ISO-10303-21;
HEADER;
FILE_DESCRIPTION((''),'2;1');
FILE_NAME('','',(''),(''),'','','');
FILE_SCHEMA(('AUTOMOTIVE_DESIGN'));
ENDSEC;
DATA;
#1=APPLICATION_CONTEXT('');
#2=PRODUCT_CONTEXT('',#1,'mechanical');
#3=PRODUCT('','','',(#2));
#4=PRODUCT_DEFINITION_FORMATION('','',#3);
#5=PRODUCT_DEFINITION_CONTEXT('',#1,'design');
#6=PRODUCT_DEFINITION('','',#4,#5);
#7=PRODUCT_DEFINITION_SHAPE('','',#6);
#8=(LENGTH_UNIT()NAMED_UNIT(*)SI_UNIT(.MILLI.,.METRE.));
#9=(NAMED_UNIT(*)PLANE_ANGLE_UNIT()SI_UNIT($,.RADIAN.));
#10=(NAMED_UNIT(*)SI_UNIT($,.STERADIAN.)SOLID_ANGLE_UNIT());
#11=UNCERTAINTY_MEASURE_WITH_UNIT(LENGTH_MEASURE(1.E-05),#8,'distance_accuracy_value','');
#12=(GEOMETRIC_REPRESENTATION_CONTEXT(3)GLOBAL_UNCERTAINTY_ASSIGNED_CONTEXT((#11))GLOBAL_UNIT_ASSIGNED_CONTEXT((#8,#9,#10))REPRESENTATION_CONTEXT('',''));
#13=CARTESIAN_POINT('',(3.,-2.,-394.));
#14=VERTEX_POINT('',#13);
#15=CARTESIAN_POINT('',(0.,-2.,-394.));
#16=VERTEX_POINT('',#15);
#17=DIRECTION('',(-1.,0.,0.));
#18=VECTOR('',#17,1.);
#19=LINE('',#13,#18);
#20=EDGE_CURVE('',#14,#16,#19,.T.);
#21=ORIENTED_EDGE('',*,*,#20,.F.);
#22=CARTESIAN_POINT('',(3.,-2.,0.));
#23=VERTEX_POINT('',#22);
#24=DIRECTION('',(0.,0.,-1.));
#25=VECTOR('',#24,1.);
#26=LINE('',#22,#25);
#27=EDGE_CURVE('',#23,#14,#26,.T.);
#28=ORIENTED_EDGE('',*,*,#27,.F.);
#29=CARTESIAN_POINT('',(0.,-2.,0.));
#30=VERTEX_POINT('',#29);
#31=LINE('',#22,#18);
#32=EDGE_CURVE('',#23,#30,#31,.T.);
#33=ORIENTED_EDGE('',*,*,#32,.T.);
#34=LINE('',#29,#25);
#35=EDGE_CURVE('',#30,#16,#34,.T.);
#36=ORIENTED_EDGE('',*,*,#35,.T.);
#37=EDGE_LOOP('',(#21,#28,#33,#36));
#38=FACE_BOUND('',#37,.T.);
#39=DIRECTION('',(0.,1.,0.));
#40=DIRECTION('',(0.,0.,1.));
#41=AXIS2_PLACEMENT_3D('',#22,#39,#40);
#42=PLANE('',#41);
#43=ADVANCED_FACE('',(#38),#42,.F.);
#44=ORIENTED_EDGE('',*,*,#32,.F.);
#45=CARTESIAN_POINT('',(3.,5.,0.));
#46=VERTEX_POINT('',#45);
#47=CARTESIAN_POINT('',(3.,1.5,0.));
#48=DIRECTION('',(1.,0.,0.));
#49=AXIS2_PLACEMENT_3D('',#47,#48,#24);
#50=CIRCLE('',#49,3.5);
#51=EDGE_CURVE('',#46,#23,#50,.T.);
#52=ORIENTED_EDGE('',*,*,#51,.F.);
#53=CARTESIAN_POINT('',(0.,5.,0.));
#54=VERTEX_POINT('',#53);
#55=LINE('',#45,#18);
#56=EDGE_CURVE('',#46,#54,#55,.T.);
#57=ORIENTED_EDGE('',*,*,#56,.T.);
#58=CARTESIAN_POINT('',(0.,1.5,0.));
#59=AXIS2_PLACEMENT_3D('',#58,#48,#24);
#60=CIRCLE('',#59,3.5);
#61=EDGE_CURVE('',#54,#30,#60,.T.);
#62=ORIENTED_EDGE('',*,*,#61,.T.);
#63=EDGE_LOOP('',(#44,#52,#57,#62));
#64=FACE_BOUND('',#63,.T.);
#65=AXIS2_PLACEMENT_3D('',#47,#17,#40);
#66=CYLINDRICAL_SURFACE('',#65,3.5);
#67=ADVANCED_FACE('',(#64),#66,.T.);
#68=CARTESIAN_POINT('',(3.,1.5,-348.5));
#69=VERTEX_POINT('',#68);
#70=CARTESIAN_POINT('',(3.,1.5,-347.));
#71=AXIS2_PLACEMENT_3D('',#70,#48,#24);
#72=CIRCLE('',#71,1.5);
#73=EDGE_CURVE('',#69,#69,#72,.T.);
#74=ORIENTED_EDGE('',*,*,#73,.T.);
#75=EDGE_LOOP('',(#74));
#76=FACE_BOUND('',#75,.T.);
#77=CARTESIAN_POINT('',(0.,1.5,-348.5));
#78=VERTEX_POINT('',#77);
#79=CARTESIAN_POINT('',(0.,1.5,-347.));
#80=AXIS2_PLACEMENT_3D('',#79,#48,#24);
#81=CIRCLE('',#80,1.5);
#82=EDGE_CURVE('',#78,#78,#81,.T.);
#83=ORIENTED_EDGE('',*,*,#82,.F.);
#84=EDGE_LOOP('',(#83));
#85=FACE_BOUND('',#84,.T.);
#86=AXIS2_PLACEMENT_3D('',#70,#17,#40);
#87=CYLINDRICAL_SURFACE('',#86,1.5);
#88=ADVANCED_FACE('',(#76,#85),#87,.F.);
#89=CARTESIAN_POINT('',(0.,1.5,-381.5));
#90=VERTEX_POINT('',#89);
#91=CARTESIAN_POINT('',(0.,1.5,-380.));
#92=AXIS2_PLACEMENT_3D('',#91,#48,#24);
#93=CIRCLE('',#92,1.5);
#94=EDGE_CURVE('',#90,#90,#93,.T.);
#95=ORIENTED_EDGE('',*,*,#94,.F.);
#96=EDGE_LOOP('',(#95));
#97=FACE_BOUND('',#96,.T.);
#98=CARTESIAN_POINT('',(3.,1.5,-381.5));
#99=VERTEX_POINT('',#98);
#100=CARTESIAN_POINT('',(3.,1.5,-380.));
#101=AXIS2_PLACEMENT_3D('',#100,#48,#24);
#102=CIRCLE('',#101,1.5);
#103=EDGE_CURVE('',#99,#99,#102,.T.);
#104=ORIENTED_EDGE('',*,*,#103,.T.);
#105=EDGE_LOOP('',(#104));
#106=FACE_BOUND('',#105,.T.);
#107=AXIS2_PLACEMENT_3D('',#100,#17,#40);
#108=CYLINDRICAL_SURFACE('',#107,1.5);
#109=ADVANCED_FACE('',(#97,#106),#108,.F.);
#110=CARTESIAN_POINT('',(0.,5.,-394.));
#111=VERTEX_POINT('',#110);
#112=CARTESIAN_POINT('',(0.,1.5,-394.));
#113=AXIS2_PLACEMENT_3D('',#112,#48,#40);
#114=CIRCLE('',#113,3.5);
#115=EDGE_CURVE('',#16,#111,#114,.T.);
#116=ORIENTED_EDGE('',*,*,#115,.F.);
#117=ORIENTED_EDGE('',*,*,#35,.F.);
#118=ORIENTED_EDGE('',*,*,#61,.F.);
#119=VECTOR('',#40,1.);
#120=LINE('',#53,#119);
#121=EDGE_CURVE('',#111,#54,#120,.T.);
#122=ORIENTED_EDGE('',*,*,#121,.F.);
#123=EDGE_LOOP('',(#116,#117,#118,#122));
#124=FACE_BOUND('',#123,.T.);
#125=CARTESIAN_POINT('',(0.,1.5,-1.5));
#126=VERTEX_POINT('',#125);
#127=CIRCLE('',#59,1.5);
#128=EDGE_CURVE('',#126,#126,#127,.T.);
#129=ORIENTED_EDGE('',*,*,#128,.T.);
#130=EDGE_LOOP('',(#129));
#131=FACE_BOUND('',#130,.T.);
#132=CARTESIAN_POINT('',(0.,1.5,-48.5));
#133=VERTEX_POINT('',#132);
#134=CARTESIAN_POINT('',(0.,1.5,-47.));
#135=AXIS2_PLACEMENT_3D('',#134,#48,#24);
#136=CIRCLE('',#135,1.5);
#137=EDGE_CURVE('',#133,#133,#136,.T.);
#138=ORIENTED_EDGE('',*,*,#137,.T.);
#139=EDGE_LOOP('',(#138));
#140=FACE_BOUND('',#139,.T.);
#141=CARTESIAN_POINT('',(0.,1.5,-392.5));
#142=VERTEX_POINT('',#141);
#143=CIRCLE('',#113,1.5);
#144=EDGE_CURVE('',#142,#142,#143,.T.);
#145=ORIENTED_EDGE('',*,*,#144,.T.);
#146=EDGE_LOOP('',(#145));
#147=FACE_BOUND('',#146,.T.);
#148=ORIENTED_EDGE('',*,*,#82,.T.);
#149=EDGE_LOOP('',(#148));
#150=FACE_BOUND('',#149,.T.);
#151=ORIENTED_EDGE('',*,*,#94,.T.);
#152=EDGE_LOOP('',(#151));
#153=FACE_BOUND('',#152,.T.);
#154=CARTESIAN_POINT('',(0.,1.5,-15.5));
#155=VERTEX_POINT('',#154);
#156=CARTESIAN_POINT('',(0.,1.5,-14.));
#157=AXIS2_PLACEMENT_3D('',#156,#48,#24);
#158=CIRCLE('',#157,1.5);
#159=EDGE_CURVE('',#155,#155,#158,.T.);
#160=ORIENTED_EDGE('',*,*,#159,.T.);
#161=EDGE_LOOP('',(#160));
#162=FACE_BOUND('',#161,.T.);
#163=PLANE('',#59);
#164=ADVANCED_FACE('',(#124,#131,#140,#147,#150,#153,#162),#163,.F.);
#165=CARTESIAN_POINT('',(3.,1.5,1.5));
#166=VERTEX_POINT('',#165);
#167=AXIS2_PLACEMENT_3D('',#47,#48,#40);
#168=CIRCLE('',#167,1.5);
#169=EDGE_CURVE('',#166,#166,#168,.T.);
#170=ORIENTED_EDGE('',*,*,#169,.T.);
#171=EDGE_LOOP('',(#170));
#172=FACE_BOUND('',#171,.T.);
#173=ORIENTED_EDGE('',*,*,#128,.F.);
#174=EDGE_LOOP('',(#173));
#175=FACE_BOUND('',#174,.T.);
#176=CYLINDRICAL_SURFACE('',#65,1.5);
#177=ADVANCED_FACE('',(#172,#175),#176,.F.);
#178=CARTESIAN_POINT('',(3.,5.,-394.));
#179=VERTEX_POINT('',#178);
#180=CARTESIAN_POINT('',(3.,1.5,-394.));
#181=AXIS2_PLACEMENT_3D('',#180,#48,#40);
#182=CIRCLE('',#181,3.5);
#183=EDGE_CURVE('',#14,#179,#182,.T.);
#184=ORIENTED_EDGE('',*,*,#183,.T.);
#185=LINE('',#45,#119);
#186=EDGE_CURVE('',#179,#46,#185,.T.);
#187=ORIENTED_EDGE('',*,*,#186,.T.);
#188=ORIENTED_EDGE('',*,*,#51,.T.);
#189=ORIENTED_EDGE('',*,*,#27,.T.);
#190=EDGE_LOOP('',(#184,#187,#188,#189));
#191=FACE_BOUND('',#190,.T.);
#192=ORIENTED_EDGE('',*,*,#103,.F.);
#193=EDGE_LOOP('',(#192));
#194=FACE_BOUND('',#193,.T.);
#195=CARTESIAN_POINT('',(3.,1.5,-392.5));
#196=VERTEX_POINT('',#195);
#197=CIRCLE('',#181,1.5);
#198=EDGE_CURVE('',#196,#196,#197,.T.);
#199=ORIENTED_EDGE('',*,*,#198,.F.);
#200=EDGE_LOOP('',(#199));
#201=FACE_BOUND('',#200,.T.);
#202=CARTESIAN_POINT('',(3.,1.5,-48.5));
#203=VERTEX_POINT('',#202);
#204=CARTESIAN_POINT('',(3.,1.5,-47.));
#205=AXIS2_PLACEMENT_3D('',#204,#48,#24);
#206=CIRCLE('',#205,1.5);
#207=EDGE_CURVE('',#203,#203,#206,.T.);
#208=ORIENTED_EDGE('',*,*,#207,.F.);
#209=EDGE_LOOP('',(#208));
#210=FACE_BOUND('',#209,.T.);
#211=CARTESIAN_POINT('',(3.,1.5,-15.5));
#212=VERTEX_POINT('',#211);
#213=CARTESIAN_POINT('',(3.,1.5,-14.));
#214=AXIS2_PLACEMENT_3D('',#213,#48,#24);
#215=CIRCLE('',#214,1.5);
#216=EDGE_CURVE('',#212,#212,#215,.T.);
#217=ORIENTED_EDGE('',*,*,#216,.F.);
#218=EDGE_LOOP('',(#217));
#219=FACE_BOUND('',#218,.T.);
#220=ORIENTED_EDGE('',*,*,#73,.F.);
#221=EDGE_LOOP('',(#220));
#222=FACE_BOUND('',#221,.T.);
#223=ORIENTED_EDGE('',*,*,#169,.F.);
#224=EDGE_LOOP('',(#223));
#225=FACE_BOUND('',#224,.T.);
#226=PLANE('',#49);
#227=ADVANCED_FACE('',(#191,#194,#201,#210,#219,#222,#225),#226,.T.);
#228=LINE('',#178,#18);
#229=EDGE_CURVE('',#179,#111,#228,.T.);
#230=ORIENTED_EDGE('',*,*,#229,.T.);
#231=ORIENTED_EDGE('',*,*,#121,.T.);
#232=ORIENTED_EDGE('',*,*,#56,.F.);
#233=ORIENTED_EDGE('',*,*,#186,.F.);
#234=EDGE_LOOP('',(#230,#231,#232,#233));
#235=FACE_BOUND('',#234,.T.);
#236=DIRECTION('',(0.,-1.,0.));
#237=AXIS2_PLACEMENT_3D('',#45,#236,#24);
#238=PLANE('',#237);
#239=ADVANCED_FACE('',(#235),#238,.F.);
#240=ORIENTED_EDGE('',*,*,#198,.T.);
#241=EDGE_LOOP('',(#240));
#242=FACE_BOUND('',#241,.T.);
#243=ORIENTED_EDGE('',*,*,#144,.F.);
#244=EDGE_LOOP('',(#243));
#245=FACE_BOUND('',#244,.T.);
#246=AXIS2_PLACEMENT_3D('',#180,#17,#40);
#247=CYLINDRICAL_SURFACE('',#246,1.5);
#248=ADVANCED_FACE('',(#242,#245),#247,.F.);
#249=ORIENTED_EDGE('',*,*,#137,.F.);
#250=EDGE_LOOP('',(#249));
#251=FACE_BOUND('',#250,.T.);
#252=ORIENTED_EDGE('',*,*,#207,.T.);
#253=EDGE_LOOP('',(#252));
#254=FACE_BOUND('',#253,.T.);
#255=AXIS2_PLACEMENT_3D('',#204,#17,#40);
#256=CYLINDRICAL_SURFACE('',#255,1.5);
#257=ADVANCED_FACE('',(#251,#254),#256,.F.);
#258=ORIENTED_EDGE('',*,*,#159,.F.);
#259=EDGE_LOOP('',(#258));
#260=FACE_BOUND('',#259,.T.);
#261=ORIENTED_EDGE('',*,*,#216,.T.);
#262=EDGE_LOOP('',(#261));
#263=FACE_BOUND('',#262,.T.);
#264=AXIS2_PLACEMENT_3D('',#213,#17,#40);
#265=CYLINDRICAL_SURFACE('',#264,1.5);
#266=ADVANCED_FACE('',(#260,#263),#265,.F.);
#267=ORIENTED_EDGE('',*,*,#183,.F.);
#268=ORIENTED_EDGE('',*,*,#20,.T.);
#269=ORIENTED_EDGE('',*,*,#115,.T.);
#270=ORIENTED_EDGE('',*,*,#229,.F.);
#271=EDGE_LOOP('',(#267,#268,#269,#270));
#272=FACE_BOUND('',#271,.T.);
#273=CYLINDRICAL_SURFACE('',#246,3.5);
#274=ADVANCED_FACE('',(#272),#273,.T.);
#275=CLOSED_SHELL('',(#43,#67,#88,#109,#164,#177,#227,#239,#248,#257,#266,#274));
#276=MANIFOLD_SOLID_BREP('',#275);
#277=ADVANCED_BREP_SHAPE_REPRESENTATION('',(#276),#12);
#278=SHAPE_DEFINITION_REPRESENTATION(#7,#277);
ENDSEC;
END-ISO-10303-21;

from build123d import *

# Parameters (mm, degrees)
SKETCH_1_R      = 1.5
EXTRUDE_1_DEPTH = 3


with BuildPart() as part:
    # 草图1 → 凸台-拉伸1 (new body)
    with BuildSketch(Plane(origin=(0, 0, 0), x_dir=(0, 0, -1), z_dir=(1, 0, 0))):
        with BuildLine():
            Line((0, 5), (394, 5))
            ThreePointArc((394, 5), (397.5, 1.5), (394, -2))
            Line((394, -2), (0, -2))
            ThreePointArc((0, -2), (-3.5, 1.5), (0, 5))
        make_face()
        with Locations((14, 1.5)):
            Circle(SKETCH_1_R, mode=Mode.SUBTRACT)
        with Locations((380, 1.5)):
            Circle(SKETCH_1_R, mode=Mode.SUBTRACT)
        with Locations((47, 1.5)):
            Circle(SKETCH_1_R, mode=Mode.SUBTRACT)
        with Locations((347, 1.5)):
            Circle(SKETCH_1_R, mode=Mode.SUBTRACT)
        with BuildLine():
            ThreePointArc((0, 3), (-1.5, 1.5), (0, 0))
            ThreePointArc((0, 0), (1.5, 1.5), (0, 3))
        make_face(mode=Mode.SUBTRACT)
        with BuildLine():
            ThreePointArc((394, 3), (395.5, 1.5), (394, 0))
            ThreePointArc((394, 0), (392.5, 1.5), (394, 3))
        make_face(mode=Mode.SUBTRACT)
    extrude(amount=EXTRUDE_1_DEPTH)


solid = part.part
